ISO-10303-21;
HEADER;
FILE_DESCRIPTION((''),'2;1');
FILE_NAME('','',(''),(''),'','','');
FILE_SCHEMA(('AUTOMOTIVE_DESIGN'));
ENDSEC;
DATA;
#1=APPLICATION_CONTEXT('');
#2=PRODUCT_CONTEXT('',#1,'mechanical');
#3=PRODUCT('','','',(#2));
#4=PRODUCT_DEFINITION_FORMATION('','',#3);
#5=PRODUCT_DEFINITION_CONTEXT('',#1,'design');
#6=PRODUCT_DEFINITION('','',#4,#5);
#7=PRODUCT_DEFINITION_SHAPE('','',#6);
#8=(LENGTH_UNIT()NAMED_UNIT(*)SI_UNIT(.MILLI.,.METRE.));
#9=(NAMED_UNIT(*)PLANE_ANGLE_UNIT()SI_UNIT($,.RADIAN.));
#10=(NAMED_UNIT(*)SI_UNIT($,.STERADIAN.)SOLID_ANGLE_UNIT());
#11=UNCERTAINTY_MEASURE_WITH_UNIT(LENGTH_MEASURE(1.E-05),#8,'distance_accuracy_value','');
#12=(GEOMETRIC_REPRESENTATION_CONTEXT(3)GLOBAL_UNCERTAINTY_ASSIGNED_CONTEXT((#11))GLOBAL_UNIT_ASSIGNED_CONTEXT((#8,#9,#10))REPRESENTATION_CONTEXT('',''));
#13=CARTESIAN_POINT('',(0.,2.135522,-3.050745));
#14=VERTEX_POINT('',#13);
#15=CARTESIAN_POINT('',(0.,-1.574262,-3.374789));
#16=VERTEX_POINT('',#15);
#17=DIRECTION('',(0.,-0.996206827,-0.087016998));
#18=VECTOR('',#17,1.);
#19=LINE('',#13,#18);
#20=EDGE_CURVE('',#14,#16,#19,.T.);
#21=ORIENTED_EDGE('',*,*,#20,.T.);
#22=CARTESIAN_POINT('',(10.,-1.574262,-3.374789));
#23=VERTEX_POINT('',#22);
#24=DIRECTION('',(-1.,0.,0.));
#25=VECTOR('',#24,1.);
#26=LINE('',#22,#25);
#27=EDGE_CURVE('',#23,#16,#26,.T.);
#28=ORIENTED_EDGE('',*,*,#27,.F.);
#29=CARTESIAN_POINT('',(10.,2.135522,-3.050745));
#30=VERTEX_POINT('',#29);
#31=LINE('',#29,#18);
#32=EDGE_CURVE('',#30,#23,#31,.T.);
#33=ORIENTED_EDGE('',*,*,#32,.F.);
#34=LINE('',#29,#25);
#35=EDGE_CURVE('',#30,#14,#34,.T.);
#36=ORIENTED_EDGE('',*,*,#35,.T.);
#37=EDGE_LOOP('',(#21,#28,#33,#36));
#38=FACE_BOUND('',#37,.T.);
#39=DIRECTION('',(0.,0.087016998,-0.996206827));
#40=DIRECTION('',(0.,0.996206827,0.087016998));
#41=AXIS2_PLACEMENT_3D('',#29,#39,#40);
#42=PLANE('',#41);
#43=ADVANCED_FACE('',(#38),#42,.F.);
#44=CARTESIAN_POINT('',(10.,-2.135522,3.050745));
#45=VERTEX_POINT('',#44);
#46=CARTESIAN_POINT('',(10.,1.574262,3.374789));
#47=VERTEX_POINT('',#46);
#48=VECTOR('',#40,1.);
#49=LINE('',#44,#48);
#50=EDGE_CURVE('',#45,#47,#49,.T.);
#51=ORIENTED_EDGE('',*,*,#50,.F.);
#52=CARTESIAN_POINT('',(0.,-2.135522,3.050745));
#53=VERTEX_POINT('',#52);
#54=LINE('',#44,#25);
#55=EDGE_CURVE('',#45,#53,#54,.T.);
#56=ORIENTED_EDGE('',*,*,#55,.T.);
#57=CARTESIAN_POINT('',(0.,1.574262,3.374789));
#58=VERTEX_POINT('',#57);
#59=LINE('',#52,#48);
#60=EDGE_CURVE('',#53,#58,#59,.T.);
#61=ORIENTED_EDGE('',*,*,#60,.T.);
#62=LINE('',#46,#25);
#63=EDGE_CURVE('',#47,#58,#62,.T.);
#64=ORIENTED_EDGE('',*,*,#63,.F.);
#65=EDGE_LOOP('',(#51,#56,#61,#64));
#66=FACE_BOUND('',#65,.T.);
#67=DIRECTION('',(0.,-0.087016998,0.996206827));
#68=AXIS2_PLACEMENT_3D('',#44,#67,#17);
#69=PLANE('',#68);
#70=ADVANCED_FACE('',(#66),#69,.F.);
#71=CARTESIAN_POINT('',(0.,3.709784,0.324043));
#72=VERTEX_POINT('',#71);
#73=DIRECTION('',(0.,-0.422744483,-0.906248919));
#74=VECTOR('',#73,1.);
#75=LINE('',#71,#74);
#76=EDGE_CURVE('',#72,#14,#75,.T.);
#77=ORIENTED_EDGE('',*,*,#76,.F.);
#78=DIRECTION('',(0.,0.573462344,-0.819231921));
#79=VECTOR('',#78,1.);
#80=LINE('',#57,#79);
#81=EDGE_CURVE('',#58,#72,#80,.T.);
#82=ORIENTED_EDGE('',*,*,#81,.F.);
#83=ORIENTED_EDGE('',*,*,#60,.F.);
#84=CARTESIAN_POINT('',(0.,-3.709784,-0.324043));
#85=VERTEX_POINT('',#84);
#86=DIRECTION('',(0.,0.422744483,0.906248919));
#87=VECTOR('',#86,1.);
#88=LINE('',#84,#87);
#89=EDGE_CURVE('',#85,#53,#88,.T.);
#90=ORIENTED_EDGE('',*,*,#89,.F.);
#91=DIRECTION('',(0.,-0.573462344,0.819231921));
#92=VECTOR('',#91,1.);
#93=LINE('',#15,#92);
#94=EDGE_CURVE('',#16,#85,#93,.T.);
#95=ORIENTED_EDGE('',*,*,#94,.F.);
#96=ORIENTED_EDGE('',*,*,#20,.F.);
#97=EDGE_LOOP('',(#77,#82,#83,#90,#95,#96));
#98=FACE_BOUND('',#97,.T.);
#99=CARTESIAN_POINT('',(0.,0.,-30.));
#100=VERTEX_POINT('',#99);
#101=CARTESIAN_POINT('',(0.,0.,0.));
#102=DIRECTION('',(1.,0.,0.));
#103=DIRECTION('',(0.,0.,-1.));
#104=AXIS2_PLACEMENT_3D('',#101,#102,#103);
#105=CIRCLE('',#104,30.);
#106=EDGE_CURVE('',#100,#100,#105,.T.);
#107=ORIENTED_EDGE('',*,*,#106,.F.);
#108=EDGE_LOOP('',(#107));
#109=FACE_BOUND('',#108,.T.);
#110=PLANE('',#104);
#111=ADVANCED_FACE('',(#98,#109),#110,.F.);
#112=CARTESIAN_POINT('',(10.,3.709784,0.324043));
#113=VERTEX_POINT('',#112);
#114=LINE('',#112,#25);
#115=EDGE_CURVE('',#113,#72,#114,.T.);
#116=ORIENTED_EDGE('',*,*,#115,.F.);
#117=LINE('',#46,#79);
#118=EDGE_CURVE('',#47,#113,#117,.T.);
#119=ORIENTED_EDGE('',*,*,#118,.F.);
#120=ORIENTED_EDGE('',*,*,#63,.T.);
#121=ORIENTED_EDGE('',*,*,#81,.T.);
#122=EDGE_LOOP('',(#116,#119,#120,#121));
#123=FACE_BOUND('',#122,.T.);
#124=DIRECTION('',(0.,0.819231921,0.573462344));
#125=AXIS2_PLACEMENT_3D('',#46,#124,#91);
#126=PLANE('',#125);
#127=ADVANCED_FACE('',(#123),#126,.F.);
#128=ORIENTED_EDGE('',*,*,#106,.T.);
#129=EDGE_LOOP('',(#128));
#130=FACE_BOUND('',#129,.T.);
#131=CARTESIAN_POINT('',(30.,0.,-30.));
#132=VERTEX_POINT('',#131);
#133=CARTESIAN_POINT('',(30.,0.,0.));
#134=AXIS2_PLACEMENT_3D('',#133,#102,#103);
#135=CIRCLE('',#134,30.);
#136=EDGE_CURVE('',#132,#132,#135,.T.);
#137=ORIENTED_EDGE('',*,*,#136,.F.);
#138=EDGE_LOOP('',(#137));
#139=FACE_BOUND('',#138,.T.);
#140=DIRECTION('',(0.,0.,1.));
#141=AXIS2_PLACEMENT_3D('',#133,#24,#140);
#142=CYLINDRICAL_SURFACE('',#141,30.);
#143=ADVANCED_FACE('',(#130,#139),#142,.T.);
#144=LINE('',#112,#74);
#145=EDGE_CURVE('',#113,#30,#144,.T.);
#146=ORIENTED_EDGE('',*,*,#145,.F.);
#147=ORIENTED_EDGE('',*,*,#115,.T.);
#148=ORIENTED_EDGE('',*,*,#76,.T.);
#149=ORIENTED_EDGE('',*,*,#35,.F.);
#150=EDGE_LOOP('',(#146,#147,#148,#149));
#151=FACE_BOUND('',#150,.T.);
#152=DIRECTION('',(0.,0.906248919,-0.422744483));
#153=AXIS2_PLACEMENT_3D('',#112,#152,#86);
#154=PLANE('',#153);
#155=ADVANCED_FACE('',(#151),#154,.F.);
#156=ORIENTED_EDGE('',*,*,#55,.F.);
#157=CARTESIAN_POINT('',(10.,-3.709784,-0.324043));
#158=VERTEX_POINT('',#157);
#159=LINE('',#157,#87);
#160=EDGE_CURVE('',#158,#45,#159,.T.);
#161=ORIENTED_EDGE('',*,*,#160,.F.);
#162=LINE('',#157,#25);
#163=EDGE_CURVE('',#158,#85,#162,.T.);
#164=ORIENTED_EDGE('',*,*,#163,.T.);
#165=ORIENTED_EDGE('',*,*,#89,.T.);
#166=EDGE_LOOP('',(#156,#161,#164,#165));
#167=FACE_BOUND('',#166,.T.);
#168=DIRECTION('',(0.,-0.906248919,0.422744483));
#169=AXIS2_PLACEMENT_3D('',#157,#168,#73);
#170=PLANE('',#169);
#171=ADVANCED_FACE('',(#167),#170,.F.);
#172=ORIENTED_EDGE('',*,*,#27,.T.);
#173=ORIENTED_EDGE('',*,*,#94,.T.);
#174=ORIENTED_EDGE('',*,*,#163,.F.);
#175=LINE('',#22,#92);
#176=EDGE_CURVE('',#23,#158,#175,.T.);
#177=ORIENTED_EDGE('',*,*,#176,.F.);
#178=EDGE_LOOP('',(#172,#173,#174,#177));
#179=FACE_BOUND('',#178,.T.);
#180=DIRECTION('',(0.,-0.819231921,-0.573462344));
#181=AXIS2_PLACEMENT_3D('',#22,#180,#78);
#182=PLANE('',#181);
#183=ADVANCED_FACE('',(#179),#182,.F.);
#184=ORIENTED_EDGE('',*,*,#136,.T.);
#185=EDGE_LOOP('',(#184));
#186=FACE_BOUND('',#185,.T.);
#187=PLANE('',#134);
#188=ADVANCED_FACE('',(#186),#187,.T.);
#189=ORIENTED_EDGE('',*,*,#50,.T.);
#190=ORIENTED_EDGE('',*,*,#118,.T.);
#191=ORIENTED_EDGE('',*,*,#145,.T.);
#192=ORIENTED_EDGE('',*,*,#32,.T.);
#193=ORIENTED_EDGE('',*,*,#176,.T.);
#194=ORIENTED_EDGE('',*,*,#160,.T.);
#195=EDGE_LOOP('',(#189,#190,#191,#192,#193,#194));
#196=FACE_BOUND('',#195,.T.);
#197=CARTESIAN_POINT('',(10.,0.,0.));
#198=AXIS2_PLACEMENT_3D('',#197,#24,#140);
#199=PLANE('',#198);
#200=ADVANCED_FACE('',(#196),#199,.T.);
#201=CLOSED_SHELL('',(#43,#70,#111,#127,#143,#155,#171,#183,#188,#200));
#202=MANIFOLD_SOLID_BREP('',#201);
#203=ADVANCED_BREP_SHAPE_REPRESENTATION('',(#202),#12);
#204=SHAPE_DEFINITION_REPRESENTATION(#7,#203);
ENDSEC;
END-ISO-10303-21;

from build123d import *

# Parameters (mm, degrees)
SKETCH1_R           = 30
BOSS_EXTRUDE1_DEPTH = 30
CUT_EXTRUDE1_DEPTH  = 10


with BuildPart() as part:
    # Sketch1 → Boss-Extrude1 (new body)
    with BuildSketch(Plane(origin=(0, 0, 0), x_dir=(0, 0, -1), z_dir=(1, 0, 0))):
        Circle(SKETCH1_R)
    extrude(amount=BOSS_EXTRUDE1_DEPTH)

    # Sketch2 → Cut-Extrude1 (cut)
    with BuildSketch(Plane.ZY):
        Polygon((3.050745315, -2.135521721), (3.374788718, 1.574262083), (0.324043403, 3.709783804), (-3.050745315, 2.135521721), (-3.374788718, -1.574262083), (-0.324043403, -3.709783804), align=None)
    extrude(amount=-CUT_EXTRUDE1_DEPTH, mode=Mode.SUBTRACT)


solid = part.part
